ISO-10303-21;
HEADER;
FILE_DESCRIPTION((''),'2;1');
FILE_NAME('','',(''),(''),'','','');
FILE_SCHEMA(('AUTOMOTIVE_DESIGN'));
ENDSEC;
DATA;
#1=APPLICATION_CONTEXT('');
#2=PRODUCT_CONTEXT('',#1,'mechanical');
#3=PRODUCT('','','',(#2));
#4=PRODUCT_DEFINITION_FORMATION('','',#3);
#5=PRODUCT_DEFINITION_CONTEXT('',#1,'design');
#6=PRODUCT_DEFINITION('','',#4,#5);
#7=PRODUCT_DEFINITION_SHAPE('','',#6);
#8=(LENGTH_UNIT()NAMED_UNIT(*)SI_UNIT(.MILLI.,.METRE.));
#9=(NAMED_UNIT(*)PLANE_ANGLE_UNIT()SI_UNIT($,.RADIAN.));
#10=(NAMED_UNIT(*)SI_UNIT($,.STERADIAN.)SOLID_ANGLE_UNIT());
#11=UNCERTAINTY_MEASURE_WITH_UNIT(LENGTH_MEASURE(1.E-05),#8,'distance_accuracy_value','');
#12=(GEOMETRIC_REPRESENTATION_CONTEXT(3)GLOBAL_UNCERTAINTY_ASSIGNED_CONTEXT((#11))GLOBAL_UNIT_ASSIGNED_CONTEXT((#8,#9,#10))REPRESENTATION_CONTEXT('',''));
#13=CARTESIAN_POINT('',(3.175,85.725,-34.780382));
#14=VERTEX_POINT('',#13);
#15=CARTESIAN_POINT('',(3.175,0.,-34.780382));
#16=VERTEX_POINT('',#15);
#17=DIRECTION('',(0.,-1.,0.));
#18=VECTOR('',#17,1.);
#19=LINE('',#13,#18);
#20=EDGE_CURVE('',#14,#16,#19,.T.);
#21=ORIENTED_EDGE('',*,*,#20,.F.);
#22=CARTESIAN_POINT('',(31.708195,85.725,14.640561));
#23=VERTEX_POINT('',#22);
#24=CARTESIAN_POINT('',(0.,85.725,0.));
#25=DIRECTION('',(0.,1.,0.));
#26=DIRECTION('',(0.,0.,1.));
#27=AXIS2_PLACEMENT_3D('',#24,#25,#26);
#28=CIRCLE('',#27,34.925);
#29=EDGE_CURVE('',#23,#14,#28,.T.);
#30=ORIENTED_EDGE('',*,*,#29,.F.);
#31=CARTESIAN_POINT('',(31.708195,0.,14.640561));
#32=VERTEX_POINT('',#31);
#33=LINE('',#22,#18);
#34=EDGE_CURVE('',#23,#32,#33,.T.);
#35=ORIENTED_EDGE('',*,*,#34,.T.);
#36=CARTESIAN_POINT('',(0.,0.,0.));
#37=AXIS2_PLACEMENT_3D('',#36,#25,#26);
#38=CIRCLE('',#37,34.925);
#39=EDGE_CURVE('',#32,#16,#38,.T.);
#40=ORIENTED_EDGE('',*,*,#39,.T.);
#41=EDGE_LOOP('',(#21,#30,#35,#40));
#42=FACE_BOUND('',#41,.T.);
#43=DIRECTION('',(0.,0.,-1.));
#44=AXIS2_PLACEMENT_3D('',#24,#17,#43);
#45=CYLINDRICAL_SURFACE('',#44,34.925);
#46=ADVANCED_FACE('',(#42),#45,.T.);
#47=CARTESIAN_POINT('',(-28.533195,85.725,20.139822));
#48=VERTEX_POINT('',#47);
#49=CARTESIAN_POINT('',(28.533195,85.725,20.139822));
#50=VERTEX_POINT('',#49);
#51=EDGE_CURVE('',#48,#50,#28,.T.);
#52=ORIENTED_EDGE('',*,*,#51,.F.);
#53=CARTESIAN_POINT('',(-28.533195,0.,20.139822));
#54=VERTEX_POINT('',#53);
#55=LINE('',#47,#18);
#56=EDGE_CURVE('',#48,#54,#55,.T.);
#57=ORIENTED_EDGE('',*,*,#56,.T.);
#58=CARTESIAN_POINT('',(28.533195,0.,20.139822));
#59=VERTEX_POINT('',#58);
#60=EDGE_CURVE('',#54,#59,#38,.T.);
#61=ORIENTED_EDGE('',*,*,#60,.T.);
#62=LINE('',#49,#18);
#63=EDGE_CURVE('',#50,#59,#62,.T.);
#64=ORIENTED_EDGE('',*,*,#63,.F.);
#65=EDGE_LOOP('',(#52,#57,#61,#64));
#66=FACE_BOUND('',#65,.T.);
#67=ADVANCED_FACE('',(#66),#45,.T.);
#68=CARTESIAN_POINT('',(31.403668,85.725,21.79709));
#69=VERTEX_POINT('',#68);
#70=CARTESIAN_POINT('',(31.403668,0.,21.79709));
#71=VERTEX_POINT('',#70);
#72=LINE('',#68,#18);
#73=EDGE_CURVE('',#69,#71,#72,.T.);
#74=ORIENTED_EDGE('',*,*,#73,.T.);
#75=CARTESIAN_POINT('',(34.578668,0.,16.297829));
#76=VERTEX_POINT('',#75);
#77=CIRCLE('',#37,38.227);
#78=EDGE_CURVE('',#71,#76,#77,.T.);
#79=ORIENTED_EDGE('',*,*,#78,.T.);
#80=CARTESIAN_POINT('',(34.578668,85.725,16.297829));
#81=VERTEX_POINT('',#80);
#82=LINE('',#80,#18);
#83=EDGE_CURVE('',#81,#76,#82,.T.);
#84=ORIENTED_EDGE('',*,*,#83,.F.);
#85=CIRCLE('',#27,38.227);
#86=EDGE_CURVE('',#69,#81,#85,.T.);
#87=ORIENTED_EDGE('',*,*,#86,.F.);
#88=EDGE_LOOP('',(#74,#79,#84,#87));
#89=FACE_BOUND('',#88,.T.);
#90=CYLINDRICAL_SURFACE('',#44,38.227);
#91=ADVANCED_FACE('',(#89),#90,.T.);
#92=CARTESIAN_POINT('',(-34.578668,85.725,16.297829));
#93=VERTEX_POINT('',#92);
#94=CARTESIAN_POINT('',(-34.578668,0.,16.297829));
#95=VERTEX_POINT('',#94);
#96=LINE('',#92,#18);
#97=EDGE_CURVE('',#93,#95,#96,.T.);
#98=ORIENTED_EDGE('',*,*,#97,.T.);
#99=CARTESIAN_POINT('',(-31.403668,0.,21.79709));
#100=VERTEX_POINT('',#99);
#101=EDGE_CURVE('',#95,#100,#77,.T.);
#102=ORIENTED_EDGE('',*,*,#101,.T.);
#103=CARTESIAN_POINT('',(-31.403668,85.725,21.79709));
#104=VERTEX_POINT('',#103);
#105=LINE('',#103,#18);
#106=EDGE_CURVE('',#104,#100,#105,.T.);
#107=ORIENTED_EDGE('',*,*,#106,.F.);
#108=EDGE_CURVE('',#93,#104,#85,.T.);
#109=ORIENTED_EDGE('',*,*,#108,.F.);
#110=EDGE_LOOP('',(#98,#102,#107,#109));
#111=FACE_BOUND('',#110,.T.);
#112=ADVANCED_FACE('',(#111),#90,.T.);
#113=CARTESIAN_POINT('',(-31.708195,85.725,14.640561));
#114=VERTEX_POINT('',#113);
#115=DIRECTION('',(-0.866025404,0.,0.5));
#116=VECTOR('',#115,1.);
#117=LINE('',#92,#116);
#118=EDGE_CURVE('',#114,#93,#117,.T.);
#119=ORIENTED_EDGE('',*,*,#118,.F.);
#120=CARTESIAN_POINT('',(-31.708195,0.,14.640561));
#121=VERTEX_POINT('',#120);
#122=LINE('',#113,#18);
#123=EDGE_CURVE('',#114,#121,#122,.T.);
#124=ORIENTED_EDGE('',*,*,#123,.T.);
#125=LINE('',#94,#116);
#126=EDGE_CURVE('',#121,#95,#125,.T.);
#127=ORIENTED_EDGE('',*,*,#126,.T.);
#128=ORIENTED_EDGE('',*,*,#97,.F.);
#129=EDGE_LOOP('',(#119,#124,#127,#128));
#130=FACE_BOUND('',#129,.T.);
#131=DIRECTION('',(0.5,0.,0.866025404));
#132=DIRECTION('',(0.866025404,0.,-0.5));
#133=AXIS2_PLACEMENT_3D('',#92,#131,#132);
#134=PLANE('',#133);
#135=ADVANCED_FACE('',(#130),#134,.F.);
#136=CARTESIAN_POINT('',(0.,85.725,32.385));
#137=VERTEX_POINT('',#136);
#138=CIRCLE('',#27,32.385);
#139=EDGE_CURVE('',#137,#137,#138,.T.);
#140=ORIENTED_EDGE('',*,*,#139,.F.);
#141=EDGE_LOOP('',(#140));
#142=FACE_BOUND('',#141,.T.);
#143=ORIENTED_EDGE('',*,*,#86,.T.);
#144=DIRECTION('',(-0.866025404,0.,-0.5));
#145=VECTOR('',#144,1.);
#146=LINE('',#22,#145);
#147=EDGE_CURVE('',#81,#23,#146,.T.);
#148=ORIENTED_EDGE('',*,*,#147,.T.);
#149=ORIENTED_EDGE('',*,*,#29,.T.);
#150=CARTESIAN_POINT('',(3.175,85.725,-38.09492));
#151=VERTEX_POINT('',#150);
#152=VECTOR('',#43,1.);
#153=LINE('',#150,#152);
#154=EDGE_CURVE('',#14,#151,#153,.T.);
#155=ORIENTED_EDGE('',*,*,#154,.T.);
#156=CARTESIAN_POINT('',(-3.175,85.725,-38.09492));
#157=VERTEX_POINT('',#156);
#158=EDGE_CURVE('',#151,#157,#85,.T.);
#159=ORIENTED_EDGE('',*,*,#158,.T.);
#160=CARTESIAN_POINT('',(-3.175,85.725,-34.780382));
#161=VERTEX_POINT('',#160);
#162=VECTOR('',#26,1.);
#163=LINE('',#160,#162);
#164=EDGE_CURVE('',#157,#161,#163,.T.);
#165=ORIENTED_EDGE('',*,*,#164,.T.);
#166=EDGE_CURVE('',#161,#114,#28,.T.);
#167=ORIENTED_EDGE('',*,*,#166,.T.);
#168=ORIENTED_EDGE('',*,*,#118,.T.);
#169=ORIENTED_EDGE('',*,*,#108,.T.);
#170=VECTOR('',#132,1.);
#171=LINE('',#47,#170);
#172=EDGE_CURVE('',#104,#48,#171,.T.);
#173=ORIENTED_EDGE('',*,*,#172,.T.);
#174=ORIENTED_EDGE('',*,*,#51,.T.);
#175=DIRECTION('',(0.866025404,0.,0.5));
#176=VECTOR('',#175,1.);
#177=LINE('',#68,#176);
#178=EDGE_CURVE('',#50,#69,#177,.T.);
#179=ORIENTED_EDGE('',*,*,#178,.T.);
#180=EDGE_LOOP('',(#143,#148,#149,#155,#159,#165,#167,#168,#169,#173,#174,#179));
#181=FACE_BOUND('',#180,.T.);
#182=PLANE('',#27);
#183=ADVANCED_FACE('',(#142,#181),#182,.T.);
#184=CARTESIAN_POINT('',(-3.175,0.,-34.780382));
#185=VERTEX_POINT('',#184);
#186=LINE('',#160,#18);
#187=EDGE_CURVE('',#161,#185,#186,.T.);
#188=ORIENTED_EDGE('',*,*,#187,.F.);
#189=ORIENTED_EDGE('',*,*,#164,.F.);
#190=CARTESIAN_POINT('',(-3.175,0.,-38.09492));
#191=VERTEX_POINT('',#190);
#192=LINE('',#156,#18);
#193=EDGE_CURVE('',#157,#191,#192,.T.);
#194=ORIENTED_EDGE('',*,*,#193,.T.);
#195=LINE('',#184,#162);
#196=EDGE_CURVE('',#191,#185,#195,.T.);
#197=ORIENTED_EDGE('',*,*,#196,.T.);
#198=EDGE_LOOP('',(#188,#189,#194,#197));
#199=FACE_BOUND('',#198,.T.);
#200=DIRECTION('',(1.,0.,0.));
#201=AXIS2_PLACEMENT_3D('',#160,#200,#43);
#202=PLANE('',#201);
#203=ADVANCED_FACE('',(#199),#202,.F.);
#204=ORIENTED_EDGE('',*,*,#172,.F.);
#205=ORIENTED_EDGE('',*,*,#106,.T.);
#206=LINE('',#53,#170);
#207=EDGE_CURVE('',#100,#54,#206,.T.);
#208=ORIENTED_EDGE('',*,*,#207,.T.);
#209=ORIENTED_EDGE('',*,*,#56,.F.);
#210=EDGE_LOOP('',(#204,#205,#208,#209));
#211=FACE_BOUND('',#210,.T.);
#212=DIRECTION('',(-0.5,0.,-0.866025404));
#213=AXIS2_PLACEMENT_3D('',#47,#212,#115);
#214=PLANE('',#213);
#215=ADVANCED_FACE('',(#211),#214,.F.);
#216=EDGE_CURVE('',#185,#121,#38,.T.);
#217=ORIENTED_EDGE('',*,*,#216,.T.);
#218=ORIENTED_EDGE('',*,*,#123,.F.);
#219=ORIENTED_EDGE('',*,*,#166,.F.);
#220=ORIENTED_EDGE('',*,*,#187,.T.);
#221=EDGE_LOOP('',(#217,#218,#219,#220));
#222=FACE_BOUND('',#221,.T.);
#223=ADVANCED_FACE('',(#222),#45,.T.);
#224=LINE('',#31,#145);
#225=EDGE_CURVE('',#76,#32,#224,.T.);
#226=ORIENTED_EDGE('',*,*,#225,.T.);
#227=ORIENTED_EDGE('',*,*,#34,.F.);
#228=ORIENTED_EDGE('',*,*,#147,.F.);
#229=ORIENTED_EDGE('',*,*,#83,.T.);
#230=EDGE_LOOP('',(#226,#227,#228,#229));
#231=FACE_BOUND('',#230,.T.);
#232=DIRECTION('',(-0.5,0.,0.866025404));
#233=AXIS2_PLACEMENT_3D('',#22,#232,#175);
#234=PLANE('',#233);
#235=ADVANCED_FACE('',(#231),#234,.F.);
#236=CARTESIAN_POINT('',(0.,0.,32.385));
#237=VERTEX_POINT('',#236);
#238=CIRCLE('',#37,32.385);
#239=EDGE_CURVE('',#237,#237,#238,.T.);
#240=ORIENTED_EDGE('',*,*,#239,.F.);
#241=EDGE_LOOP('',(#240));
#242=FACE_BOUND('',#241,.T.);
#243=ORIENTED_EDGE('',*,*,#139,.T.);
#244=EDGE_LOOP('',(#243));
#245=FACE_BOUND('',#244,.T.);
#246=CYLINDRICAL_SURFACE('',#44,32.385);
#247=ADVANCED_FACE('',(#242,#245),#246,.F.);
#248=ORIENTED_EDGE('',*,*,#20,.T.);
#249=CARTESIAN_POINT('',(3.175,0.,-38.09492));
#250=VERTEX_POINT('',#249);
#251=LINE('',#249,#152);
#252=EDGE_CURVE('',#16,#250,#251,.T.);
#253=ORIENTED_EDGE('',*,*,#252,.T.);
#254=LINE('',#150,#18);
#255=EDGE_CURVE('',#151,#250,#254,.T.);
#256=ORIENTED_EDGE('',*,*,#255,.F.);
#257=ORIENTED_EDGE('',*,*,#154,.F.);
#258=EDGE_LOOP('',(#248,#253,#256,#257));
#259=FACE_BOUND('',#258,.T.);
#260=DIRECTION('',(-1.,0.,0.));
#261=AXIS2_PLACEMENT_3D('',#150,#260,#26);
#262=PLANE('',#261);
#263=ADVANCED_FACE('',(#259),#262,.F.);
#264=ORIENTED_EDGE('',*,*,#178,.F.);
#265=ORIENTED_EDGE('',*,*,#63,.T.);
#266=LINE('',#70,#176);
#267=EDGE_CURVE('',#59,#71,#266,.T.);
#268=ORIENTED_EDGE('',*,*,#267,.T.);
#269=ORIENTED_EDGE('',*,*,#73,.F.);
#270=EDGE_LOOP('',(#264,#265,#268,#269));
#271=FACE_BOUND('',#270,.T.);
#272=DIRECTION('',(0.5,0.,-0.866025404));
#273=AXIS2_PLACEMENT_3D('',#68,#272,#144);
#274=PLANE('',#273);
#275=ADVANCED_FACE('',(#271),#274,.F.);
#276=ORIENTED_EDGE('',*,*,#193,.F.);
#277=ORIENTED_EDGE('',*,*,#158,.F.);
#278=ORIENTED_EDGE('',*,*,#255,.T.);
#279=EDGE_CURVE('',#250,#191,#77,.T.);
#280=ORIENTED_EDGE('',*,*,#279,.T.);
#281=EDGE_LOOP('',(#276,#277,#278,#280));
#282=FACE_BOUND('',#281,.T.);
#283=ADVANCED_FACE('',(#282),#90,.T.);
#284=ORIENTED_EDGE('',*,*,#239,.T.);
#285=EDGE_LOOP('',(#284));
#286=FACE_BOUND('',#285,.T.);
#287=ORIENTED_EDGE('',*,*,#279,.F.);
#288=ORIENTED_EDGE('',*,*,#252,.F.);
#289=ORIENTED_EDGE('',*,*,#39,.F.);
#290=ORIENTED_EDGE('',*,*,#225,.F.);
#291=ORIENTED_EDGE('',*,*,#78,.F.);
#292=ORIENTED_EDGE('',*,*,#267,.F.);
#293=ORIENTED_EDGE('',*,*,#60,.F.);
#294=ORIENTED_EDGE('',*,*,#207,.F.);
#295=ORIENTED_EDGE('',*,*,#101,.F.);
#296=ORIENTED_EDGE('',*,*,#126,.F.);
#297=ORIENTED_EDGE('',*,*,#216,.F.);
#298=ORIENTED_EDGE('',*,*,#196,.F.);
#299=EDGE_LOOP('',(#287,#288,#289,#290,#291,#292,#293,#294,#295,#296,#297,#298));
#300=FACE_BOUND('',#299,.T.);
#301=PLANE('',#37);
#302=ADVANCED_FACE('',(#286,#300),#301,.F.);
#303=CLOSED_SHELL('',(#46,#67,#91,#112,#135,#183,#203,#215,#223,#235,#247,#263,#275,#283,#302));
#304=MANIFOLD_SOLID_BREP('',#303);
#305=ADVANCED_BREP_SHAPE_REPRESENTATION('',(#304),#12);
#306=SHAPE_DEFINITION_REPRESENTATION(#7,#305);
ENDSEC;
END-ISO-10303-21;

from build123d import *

# Parameters (mm, degrees)
SKETCH1_R           = 32.385
BOSS_EXTRUDE1_DEPTH = 85.725


with BuildPart() as part:
    # Sketch1 → Boss-Extrude1 (new body)
    with BuildSketch(Plane(origin=(0, 0, 0), x_dir=(1, 0, 0), z_dir=(0, 1, 0))):
        with BuildLine():
            Line((-3.175, 34.780382402), (-3.175, 38.094919661))
            ThreePointArc((-3.175, 38.094919661), (0, 38.227), (3.175, 38.094919661))
            Line((3.175, 38.094919661), (3.175, 34.780382402))
            ThreePointArc((3.175, 34.780382402), (30.245937227, 17.4625), (31.708194713, -14.640560544))
            Line((31.708194713, -14.640560544), (34.578668182, -16.297829174))
            ThreePointArc((34.578668182, -16.297829174), (33.10555311, -19.1135), (31.403668182, -21.797090488))
            Line((31.403668182, -21.797090488), (28.533194713, -20.139821858))
            ThreePointArc((28.533194713, -20.139821858), (0, -34.925), (-28.533194713, -20.139821858))
            Line((-28.533194713, -20.139821858), (-31.403668182, -21.797090488))
            ThreePointArc((-31.403668182, -21.797090488), (-33.10555311, -19.1135), (-34.578668182, -16.297829174))
            Line((-34.578668182, -16.297829174), (-31.708194713, -14.640560544))
            ThreePointArc((-31.708194713, -14.640560544), (-30.245937227, 17.4625), (-3.175, 34.780382402))
        make_face()
        Circle(SKETCH1_R, mode=Mode.SUBTRACT)
    extrude(amount=BOSS_EXTRUDE1_DEPTH)


solid = part.part
